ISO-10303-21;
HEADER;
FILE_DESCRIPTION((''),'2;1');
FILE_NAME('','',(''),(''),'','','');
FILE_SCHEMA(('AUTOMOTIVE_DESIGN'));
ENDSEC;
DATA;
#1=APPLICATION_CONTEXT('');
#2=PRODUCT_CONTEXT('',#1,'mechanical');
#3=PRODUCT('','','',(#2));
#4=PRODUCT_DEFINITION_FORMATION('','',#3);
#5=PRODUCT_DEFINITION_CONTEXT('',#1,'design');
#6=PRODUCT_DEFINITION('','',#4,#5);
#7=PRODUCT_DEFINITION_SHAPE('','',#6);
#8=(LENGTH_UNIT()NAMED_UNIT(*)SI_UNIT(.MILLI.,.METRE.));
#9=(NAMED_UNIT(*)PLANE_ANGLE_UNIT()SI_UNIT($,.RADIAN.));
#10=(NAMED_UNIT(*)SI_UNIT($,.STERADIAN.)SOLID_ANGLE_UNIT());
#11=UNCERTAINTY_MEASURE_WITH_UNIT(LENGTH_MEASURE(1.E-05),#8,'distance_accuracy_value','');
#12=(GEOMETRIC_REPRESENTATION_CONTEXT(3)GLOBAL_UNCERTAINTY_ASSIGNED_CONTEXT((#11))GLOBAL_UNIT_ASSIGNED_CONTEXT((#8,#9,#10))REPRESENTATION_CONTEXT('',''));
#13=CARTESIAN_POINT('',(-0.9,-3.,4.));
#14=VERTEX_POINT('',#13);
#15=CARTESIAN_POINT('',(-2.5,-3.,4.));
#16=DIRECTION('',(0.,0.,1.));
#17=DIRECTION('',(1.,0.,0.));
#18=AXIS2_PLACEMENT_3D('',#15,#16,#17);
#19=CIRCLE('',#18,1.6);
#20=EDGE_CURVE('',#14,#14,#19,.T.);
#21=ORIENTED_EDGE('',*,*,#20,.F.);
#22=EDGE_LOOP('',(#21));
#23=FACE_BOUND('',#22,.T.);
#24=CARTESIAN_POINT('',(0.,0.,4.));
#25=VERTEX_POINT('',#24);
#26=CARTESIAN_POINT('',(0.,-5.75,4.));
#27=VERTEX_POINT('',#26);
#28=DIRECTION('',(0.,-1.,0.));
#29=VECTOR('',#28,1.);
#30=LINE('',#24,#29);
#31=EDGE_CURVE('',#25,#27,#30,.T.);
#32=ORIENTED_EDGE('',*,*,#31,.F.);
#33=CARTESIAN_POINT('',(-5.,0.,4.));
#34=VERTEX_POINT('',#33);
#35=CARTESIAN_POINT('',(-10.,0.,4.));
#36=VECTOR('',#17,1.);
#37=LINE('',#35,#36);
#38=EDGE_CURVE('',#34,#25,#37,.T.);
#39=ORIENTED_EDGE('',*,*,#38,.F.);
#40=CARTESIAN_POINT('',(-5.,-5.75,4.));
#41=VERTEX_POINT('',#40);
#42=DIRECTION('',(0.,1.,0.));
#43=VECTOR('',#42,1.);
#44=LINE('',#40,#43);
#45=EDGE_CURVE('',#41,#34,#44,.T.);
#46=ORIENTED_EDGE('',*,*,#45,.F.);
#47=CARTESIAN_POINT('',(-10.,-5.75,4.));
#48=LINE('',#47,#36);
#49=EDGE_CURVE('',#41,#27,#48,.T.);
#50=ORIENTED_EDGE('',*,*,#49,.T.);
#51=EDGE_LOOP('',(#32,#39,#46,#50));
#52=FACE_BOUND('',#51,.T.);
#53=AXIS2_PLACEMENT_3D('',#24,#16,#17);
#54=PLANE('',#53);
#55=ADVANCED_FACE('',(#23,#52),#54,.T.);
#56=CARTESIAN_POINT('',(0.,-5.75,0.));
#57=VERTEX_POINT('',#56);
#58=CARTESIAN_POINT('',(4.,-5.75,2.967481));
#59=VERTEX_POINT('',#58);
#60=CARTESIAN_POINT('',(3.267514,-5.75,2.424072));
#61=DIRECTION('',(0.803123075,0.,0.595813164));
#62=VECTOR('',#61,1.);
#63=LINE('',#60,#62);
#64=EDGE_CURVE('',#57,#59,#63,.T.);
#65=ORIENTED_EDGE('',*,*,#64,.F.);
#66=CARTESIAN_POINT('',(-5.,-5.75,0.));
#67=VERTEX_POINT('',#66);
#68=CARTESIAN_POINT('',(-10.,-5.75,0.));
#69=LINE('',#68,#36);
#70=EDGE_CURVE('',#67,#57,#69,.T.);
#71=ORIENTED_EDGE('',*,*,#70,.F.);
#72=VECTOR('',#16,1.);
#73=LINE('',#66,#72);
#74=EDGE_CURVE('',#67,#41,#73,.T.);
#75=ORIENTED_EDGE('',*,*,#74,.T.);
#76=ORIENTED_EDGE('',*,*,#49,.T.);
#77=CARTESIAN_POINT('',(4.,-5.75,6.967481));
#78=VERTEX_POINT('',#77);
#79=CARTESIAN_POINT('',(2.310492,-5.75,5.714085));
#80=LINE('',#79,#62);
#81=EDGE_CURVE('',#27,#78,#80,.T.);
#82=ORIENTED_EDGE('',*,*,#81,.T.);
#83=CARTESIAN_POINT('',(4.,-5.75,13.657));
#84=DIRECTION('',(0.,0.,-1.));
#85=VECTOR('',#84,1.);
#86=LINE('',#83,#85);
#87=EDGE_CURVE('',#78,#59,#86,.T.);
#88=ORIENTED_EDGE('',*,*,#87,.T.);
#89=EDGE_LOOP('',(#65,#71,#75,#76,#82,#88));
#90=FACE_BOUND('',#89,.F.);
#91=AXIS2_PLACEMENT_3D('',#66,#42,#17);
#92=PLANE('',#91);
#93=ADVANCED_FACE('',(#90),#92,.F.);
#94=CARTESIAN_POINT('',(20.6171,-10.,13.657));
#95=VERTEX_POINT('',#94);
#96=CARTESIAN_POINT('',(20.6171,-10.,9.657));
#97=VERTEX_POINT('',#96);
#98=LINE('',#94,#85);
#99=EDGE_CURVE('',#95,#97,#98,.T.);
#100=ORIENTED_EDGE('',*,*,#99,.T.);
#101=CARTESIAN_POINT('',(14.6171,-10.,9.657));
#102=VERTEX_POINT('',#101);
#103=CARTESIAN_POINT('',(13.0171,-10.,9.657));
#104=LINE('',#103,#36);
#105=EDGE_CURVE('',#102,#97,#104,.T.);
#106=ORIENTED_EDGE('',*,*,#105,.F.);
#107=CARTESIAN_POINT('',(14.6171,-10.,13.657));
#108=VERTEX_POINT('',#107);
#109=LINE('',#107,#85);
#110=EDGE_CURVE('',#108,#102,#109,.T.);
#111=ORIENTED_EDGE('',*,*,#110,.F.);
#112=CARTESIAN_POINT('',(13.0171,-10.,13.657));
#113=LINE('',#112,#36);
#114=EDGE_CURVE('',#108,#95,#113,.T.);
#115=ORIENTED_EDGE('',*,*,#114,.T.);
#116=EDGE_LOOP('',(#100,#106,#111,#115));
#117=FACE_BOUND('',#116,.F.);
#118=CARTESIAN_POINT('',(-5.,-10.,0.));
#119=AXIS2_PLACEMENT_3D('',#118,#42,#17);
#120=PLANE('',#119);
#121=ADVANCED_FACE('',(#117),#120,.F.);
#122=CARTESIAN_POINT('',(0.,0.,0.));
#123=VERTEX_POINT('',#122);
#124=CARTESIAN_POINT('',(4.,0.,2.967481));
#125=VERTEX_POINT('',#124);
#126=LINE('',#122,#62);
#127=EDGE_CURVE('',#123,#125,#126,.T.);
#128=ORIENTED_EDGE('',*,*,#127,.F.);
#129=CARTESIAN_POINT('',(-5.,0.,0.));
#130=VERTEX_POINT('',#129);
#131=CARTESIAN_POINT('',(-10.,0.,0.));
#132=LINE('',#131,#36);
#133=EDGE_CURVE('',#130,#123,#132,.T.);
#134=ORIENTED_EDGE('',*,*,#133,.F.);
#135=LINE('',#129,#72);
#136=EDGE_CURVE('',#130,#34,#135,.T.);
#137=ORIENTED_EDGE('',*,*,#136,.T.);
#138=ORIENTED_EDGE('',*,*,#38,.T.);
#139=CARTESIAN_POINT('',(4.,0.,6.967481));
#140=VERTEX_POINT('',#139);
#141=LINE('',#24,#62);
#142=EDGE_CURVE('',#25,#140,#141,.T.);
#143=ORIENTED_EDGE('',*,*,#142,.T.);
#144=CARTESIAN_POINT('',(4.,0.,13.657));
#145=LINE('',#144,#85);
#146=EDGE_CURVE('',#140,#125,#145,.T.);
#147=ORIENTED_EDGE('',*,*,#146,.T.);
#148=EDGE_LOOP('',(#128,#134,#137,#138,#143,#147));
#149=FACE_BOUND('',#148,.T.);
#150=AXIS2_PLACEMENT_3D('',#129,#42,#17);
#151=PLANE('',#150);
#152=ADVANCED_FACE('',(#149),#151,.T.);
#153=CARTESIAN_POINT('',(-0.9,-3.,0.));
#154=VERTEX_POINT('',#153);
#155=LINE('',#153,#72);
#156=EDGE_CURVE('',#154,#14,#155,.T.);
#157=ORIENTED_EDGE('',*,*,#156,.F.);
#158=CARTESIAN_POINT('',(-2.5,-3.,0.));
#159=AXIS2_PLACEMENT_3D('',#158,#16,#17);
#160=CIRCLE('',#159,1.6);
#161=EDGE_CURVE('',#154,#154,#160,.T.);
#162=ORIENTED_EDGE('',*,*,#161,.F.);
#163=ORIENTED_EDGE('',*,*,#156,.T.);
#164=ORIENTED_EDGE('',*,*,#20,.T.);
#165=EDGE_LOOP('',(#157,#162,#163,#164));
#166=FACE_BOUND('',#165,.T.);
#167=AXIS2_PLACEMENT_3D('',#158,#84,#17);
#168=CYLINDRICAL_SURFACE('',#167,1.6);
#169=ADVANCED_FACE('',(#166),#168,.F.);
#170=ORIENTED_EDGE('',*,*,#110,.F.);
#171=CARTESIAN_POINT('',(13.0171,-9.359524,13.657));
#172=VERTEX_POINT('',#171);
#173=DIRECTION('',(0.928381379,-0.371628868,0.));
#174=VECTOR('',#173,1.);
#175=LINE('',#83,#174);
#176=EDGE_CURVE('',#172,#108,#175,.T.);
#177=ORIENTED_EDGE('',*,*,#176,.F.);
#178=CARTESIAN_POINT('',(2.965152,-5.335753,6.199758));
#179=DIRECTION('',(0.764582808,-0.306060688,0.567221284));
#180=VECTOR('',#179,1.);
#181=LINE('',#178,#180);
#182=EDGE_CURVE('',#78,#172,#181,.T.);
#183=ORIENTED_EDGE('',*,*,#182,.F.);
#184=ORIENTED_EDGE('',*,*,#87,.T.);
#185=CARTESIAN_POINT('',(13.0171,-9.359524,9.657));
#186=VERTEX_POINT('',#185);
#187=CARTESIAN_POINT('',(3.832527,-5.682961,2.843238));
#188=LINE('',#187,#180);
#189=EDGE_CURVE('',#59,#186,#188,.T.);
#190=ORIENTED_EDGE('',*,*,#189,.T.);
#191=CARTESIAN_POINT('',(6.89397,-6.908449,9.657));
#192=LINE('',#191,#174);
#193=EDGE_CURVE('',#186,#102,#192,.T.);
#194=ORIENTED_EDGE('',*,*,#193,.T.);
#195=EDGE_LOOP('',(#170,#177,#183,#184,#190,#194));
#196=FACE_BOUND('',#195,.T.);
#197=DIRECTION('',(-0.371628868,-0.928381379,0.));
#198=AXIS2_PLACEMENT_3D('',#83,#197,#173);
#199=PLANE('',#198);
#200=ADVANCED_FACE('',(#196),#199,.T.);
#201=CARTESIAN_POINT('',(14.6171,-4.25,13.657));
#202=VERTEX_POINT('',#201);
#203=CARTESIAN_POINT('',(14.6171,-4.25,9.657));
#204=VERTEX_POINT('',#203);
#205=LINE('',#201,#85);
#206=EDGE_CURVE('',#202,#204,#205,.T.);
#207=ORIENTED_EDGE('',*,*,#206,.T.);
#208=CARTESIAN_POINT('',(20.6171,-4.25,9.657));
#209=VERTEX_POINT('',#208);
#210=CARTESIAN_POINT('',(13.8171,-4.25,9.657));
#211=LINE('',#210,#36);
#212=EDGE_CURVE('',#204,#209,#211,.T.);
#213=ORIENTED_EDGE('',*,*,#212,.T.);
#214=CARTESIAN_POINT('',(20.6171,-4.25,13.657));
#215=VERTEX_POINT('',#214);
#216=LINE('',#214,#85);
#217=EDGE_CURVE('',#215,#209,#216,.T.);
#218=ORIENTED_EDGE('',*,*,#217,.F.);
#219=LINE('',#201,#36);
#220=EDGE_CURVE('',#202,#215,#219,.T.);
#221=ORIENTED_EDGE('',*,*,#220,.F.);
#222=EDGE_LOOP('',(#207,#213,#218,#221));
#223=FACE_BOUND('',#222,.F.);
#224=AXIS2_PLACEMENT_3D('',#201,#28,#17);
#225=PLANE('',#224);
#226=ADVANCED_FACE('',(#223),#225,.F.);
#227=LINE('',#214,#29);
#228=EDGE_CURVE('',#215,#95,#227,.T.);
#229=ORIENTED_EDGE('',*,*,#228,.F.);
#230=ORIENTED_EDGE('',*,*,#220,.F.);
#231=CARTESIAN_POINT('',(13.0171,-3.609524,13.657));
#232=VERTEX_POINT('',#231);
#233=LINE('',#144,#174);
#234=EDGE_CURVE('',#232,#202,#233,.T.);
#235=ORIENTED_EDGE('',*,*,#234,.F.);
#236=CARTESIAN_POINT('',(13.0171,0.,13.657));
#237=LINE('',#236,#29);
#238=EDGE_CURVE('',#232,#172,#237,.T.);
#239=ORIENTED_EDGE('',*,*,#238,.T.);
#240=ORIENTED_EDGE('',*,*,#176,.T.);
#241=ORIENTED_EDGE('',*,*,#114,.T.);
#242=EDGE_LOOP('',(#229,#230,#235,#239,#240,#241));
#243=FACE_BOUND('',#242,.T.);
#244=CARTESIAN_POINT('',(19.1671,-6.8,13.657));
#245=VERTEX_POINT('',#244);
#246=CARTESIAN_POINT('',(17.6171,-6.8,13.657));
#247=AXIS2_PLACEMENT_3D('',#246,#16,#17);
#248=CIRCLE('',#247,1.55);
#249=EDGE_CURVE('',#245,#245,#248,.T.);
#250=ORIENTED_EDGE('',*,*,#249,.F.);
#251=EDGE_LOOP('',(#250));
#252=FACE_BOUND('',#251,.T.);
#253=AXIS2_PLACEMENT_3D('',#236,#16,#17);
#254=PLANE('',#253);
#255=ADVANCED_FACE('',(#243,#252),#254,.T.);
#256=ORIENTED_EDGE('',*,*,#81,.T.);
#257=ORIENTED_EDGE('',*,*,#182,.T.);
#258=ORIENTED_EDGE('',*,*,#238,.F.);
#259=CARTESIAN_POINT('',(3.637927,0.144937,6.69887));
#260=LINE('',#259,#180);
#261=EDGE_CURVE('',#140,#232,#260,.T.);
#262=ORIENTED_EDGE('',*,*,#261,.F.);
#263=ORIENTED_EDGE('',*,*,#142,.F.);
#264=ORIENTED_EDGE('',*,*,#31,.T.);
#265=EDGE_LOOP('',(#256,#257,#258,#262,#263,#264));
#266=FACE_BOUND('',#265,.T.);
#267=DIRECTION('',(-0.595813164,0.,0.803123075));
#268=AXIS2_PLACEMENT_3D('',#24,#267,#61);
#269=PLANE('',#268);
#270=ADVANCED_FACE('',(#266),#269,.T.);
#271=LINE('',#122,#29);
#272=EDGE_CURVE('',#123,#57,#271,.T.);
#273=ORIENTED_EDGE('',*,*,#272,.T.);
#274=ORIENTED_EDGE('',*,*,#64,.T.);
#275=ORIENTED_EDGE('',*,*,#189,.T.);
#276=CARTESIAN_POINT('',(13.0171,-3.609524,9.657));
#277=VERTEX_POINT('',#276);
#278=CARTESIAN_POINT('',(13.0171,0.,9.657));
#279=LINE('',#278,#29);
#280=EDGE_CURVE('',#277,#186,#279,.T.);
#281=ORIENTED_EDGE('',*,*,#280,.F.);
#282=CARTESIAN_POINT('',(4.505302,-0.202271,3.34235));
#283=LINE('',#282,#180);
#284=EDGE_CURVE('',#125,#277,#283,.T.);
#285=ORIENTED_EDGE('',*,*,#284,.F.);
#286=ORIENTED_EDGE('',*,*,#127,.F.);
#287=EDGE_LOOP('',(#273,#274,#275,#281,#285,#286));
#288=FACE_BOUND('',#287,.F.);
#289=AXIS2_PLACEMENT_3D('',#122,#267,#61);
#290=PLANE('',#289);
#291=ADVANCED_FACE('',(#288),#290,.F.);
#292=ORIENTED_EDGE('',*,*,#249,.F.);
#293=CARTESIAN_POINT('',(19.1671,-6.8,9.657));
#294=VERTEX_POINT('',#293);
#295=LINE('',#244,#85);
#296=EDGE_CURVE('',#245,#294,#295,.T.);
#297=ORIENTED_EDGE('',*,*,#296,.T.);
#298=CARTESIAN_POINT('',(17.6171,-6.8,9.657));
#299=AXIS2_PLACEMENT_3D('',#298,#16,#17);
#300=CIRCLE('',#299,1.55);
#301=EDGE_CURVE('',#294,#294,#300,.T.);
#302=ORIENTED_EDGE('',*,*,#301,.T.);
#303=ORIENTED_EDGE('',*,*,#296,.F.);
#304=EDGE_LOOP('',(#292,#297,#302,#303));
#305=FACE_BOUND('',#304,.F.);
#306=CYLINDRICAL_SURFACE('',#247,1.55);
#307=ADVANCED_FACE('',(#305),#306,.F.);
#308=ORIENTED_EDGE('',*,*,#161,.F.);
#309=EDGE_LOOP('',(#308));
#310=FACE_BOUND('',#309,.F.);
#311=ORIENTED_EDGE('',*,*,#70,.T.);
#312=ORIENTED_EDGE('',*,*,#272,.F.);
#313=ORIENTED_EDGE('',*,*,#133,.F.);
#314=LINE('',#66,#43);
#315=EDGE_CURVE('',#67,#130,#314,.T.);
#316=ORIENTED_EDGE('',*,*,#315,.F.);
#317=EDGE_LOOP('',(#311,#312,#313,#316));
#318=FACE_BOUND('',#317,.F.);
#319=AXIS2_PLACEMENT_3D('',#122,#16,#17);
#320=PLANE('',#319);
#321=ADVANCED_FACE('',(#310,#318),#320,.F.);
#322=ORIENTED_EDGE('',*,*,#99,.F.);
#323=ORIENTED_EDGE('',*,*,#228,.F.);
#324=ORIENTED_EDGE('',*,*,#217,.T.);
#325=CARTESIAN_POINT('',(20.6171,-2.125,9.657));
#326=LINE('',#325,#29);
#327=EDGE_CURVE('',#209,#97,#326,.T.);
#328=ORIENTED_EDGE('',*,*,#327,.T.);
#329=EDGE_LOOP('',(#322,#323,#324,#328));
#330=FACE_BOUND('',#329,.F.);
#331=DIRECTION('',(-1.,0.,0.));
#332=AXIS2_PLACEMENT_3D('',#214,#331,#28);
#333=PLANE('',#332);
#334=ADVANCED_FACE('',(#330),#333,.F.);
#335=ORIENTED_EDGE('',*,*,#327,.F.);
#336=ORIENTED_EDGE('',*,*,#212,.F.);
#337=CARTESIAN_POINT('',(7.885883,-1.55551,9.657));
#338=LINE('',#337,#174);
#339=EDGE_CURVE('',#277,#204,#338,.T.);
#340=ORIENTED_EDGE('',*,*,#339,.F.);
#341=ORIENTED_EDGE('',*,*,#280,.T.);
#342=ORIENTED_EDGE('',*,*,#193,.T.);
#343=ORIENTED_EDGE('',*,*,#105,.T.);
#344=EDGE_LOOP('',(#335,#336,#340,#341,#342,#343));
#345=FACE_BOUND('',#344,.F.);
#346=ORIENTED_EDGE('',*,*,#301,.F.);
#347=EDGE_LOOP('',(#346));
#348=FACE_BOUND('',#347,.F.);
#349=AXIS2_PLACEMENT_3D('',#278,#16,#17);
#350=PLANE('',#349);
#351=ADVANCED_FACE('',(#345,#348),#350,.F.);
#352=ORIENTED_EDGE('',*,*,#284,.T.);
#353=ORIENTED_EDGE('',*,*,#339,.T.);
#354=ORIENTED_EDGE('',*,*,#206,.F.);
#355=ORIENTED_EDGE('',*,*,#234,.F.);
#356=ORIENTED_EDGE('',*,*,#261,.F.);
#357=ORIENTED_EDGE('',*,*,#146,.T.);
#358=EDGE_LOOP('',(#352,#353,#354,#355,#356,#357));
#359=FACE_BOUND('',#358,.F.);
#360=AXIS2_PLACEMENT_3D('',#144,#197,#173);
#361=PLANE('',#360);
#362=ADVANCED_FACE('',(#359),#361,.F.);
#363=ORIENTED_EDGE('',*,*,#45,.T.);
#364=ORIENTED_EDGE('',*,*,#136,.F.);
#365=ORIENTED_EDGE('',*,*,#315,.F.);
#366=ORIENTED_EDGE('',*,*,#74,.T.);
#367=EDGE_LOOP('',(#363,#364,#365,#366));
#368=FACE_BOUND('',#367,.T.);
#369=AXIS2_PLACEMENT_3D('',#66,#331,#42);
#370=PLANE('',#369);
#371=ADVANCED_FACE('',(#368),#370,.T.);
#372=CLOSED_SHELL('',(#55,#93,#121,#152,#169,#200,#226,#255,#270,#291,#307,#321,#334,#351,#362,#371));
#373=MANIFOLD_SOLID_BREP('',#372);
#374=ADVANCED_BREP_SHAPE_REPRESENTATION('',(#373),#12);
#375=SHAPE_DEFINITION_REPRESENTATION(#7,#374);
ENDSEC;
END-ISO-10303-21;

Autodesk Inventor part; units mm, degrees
ref_plane "YZ Plane" through (0, 0, 0) normal (1, 0, 0) x (0, 1, 0)
ref_plane "XZ Plane" through (0, 0, 0) normal (0, 1, 0) x (-1, 0, 0)
ref_plane "XY Plane" through (0, 0, 0) normal (0, 0, 1) x (1, 0, 0)
sketch "Sketch1" plane through (0, 0, 0) normal (0, 0, 1) x (1, 0, 0)
  circle A0 centre (-2.5, -3) radius 1.6 projected
  line L0 (-10, -5.75) -> (0, -5.75) projected
  line L1 (0, 0) -> (0, -5.75) projected
  line L2 (-10, 0) -> (0, 0) projected
  line L3 (-10, -1.75) -> (-10, 0) projected
  line L4 (-10, -5.75) -> (-10, -4.05) projected
  line L5 (0, -5.75) -> (-5, -5.75)
  line L6 (-5, -5.75) -> (-5, 0)
  line L7 (-5, 0) -> (0, 0)
  line L8 (0, 0) -> (0, -5.75)
  line L9 (-10, -1.75) -> (-9.2455, -1.75) projected
  line L10 (-9.2455, -1.75) -> (-9.2455, -4.05) projected
  line L11 (-9.2455, -4.05) -> (-10, -4.05) projected
  dimension "d0" = 2.5
extrude "Extrusion1" add sketch "Sketch1" along normal blind 4 contours L6 L2 L1 L0
sketch "Sketch2" plane through (-5, 0, 0) normal (0, 1, 0) x (1, 0, 0)
  line L0 (5, 0) -> (0, 0) projected
  line L1 (0, 0) -> (0, -4) projected
  line L2 (5, -4) -> (0, -4) projected
  line L3 (5, 0) -> (5, -4) projected
  line L4 (24.0211, -5.907) -> (18.6171, -5.907) projected
  line L5 (24.0211, -17.407) -> (18.6171, -17.407) projected
  line L6 (5, -4) -> (18.0171, -13.657)
  line L7 (5, 0) -> (18.0171, -9.657)
  line L8 (18.6171, -17.407) -> (18.6171, -13.657) construction
  line L9 (18.6171, -5.907) -> (18.6171, -9.657) construction
  line L10 (18.6171, -9.657) -> (18.6171, -13.657) construction
  line L11 (24.0211, -5.907) -> (24.0211, -17.407) construction
  line L12 (18.0171, -9.657) -> (26.5171, -9.657)
  line L13 (18.0171, -13.657) -> (26.5171, -13.657)
  line L14 (26.5171, -13.657) -> (26.5171, -9.657)
  line L15 (20.0171, -11.057) -> (20.0171, -5.657) construction
  point P0 (24.0211, -11.657)
  point P1 (18.6171, -11.657)
  dimension "d3" = 4
  dimension "d4" = 8.5
  dimension "d7" = 2
extrude "Extrusion2" add sketch "Sketch2" against normal blind 10 contours L7 L12 L14 L13 L6 L3
sketch "Sketch3" plane through (13.0171, 0, 13.657) normal (0, 0, 1) x (1, 0, 0)
  circle A0 centre (4.6, -6.8) radius 1.55 construction
  line L0 (-13.0171, 0) -> (0, 0) construction
  line L1 (-13.0171, -5.75) -> (-13.0171, 0) projected
  line L2 (-13.0171, -5.75) -> (-13.0171, -10) projected
  line L3 (0, -10) -> (-13.0171, -10) projected
  line L4 (0, 0) -> (0, -10) construction
  line L5 (0, 0) -> (8.5, 0) projected
  line L6 (0, 0) -> (0, -10) construction
  line L7 (8.5, -10) -> (0, -10) construction
  line L8 (8.5, 0) -> (8.5, -10) projected
  line L9 (-18.0171, -5.75) -> (-13.0171, -5.75) projected
  line L10 (-13.0171, -5.75) -> (-9.0171, -5.75)
  line L11 (-9.0171, -5.75) -> (1.6, -10)
  line L12 (8.5, -10) -> (0, -10) projected
  line L13 (-13.0171, 0) -> (-18.0171, 0) projected
  line L14 (-13.0171, 0) -> (-9.0171, 0)
  line L15 (0, 0) -> (-13.0171, 0) projected
  line L16 (-9.0171, 0) -> (1.6, -4.25)
  line L17 (1.6, -4.25) -> (7.6, -4.25)
  line L18 (7.6, -4.25) -> (7.6, -10)
  line L19 (2.7105, -10) -> (7.6, -10)
  dimension "d8" = 4
  dimension "d9" = 4
  dimension "d11" = 3
  dimension "d12" = 3
extrude "Extrusion3" cut sketch "Sketch3" against normal through all contours L10 L11 L12 L3 L2 | L15 L5 L8 L12 L18 L17 L16
sketch "Sketch4" plane through (14.6171, -10, 13.657) normal (0, 0, 1) x (1, 0, 0)
  line L0 (-1.6, 0.6405) -> (0, 0) projected
  line L1 (6, 0) -> (0, 0) projected
  line L2 (6, 0) -> (6, 5.75) projected
  line L3 (6, 5.75) -> (0, 5.75) projected
  line L4 (0, 5.75) -> (-1.6, 6.3905) projected
  line L5 (-1.6, 6.3905) -> (-1.6, 0.6405) projected
  circle A0 centre (3, 3.2) radius 1.55 projected
  point P0 (-14.6171, 10)
extrude "Extrusion4" cut sketch "Sketch4" against normal through all contours A0
properties part number "Palanca servo_dedo_2"
